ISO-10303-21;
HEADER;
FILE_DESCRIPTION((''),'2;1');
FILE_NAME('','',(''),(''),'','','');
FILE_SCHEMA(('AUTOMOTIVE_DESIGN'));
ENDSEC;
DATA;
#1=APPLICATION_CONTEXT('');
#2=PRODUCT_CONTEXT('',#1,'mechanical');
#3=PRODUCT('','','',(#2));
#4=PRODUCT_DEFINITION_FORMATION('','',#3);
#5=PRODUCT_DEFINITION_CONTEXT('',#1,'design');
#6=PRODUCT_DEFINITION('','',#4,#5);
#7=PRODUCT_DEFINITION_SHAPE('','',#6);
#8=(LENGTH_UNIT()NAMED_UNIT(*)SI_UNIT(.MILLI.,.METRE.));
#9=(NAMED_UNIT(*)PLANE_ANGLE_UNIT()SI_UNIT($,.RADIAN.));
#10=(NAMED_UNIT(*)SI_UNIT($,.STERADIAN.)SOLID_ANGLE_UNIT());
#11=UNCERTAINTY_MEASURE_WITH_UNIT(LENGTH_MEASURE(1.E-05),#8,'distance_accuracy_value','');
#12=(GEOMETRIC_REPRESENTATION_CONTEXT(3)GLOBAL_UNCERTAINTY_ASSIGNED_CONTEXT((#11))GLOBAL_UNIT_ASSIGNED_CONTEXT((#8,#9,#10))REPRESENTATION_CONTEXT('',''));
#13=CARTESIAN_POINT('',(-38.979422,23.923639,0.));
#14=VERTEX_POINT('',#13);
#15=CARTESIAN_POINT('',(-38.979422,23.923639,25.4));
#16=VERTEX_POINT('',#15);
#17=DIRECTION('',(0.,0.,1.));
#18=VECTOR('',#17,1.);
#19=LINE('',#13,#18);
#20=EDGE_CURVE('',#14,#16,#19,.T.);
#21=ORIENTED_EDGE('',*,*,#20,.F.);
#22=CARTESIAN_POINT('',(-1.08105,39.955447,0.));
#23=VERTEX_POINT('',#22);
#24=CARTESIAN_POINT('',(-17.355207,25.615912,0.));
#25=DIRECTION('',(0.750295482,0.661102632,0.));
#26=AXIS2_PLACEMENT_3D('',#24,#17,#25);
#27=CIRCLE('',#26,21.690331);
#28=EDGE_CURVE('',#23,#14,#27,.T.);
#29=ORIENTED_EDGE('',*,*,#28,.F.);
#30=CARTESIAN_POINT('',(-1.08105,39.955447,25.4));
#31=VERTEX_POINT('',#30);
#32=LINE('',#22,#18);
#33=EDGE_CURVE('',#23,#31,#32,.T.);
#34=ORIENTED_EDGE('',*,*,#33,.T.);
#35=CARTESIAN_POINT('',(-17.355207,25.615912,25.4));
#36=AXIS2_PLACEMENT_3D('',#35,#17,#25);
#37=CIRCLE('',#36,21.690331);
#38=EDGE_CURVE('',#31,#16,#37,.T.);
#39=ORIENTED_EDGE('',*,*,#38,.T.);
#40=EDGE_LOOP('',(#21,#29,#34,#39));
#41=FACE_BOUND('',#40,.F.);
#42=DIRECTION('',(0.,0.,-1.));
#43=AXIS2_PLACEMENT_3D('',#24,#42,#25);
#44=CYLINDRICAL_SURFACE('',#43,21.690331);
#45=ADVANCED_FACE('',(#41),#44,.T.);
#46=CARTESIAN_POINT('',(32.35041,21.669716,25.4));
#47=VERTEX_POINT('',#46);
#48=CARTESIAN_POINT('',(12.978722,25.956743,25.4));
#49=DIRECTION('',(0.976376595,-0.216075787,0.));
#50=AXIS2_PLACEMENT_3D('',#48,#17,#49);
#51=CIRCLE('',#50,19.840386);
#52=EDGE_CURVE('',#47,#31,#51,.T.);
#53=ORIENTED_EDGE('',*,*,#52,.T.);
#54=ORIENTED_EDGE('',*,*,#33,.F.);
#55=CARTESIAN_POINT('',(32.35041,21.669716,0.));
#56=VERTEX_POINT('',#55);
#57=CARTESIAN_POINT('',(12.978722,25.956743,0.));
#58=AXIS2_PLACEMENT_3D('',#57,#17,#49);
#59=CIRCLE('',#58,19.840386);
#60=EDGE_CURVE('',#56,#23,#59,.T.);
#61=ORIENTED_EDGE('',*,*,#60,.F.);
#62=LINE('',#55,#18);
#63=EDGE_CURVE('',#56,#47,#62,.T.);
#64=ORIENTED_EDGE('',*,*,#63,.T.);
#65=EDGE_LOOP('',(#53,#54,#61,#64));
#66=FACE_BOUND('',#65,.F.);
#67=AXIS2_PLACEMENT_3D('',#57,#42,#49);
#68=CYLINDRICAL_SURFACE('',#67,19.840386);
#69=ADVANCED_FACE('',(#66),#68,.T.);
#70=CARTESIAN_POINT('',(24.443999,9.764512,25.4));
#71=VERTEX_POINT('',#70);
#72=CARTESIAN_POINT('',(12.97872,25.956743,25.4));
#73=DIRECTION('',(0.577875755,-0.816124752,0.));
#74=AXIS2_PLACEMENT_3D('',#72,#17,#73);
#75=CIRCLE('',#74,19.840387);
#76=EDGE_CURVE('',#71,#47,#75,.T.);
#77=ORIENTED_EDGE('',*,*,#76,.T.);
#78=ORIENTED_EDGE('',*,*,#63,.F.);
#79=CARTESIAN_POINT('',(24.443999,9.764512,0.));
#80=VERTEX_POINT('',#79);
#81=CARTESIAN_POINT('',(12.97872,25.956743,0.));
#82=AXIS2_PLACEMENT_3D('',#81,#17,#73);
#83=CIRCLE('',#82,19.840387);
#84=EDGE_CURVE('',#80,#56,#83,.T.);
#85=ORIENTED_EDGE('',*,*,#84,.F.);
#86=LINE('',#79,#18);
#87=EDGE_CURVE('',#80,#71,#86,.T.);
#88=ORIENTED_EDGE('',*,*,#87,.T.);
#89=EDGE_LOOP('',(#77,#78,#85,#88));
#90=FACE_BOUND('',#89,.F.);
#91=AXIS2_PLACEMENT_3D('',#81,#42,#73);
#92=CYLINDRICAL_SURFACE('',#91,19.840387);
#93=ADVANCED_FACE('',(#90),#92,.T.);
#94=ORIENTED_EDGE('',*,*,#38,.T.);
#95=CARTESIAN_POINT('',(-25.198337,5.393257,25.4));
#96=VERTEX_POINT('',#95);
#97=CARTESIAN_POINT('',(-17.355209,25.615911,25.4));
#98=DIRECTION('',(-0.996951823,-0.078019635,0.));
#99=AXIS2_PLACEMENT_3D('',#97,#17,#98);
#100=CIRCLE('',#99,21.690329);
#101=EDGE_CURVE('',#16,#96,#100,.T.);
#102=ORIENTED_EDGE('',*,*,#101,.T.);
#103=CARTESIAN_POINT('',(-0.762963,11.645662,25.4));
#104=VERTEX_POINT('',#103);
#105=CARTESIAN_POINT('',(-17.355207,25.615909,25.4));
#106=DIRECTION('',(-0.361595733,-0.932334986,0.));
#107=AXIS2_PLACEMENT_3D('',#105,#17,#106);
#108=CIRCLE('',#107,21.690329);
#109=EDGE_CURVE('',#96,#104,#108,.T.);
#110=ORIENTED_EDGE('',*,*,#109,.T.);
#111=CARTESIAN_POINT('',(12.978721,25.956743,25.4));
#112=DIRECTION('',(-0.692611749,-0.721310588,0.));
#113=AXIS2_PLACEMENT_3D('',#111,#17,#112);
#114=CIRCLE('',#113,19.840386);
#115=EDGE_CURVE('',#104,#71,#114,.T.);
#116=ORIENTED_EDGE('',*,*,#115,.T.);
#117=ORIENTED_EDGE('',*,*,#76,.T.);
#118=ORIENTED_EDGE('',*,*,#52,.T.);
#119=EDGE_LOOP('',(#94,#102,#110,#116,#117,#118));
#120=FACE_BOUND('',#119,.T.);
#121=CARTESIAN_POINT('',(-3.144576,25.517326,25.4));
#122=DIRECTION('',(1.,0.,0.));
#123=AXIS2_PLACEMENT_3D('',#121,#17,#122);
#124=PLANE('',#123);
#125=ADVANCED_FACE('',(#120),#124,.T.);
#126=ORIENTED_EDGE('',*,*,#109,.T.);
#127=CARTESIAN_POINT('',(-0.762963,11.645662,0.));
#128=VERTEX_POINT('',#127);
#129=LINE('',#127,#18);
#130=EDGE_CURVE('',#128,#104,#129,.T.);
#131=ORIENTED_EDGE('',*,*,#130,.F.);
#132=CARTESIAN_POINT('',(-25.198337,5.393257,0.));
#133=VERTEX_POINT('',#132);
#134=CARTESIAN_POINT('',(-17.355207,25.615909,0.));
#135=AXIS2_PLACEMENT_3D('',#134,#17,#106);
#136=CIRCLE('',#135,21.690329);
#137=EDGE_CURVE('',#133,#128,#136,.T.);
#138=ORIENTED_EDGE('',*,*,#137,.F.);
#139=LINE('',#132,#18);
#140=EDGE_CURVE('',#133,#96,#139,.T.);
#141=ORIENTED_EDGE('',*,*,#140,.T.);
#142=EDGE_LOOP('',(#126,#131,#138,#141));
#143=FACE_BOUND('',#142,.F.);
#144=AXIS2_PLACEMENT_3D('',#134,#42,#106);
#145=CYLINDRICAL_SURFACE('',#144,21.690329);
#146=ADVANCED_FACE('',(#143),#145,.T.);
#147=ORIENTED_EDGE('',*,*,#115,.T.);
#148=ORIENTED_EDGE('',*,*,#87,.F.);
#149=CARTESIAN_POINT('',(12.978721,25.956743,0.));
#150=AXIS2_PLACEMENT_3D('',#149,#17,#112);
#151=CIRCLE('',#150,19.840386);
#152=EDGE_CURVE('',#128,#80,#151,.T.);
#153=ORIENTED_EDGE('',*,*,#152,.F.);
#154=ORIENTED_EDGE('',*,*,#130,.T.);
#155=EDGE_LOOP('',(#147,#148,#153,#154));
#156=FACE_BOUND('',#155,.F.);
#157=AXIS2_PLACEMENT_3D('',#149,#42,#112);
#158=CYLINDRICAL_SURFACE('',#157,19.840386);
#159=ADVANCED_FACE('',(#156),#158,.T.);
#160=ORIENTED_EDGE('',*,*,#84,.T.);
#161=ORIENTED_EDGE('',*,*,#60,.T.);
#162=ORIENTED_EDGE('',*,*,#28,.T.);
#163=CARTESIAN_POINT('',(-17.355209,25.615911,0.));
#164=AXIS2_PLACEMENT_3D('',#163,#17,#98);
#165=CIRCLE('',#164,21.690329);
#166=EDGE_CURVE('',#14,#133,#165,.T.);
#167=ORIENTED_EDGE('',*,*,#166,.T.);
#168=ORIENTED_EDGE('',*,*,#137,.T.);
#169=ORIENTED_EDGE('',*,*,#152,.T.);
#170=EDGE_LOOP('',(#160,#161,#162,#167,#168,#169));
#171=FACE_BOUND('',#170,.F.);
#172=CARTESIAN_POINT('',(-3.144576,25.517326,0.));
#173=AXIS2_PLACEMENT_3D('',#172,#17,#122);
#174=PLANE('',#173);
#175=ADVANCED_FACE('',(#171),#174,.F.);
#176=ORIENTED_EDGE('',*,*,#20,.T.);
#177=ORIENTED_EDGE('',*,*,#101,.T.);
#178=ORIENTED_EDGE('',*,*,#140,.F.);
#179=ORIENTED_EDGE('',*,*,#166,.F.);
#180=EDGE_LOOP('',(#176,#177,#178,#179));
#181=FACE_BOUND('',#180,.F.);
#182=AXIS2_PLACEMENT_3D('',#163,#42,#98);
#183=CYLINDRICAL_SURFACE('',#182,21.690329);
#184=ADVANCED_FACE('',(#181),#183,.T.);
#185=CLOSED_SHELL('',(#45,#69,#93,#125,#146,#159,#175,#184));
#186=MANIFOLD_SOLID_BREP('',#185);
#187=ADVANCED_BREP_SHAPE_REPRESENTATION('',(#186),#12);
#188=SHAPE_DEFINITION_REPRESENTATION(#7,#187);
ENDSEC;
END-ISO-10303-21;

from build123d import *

# Parameters (mm, degrees)
F1_DEPTH = 25.4


with BuildPart() as f1:
    # F0 (on Top) → F1 (new body)
    with BuildSketch(Plane.XY):
        with BuildLine():
            Line((24.443999, 9.764512), (32.35041, 21.669716))
            ThreePointArc((32.35041, 21.669716), (22.499546, 43.363489), (-1.08105, 39.955447))
            ThreePointArc((-1.08105, 39.955447), (-25.805681, 45.592397), (-38.979422, 23.923639))
            Line((-38.979422, 23.923639), (-25.198337, 5.393257))
            ThreePointArc((-25.198337, 5.393257), (-11.978415, 4.602569), (-0.762963, 11.645662))
            ThreePointArc((-0.762963, 11.645662), (11.502175, 6.171376), (24.443999, 9.764512))
        make_face()
        with BuildLine():
            ThreePointArc((24.443999, 9.764512), (29.506368, 14.980504), (32.35041, 21.669716))
            Line((32.35041, 21.669716), (24.443999, 9.764512))
        make_face()
        with BuildLine():
            Line((-25.198337, 5.393257), (-38.979422, 23.923639))
            ThreePointArc((-38.979422, 23.923639), (-34.759944, 12.671971), (-25.198337, 5.393257))
        make_face()
    extrude(amount=F1_DEPTH)


solid = f1.part
